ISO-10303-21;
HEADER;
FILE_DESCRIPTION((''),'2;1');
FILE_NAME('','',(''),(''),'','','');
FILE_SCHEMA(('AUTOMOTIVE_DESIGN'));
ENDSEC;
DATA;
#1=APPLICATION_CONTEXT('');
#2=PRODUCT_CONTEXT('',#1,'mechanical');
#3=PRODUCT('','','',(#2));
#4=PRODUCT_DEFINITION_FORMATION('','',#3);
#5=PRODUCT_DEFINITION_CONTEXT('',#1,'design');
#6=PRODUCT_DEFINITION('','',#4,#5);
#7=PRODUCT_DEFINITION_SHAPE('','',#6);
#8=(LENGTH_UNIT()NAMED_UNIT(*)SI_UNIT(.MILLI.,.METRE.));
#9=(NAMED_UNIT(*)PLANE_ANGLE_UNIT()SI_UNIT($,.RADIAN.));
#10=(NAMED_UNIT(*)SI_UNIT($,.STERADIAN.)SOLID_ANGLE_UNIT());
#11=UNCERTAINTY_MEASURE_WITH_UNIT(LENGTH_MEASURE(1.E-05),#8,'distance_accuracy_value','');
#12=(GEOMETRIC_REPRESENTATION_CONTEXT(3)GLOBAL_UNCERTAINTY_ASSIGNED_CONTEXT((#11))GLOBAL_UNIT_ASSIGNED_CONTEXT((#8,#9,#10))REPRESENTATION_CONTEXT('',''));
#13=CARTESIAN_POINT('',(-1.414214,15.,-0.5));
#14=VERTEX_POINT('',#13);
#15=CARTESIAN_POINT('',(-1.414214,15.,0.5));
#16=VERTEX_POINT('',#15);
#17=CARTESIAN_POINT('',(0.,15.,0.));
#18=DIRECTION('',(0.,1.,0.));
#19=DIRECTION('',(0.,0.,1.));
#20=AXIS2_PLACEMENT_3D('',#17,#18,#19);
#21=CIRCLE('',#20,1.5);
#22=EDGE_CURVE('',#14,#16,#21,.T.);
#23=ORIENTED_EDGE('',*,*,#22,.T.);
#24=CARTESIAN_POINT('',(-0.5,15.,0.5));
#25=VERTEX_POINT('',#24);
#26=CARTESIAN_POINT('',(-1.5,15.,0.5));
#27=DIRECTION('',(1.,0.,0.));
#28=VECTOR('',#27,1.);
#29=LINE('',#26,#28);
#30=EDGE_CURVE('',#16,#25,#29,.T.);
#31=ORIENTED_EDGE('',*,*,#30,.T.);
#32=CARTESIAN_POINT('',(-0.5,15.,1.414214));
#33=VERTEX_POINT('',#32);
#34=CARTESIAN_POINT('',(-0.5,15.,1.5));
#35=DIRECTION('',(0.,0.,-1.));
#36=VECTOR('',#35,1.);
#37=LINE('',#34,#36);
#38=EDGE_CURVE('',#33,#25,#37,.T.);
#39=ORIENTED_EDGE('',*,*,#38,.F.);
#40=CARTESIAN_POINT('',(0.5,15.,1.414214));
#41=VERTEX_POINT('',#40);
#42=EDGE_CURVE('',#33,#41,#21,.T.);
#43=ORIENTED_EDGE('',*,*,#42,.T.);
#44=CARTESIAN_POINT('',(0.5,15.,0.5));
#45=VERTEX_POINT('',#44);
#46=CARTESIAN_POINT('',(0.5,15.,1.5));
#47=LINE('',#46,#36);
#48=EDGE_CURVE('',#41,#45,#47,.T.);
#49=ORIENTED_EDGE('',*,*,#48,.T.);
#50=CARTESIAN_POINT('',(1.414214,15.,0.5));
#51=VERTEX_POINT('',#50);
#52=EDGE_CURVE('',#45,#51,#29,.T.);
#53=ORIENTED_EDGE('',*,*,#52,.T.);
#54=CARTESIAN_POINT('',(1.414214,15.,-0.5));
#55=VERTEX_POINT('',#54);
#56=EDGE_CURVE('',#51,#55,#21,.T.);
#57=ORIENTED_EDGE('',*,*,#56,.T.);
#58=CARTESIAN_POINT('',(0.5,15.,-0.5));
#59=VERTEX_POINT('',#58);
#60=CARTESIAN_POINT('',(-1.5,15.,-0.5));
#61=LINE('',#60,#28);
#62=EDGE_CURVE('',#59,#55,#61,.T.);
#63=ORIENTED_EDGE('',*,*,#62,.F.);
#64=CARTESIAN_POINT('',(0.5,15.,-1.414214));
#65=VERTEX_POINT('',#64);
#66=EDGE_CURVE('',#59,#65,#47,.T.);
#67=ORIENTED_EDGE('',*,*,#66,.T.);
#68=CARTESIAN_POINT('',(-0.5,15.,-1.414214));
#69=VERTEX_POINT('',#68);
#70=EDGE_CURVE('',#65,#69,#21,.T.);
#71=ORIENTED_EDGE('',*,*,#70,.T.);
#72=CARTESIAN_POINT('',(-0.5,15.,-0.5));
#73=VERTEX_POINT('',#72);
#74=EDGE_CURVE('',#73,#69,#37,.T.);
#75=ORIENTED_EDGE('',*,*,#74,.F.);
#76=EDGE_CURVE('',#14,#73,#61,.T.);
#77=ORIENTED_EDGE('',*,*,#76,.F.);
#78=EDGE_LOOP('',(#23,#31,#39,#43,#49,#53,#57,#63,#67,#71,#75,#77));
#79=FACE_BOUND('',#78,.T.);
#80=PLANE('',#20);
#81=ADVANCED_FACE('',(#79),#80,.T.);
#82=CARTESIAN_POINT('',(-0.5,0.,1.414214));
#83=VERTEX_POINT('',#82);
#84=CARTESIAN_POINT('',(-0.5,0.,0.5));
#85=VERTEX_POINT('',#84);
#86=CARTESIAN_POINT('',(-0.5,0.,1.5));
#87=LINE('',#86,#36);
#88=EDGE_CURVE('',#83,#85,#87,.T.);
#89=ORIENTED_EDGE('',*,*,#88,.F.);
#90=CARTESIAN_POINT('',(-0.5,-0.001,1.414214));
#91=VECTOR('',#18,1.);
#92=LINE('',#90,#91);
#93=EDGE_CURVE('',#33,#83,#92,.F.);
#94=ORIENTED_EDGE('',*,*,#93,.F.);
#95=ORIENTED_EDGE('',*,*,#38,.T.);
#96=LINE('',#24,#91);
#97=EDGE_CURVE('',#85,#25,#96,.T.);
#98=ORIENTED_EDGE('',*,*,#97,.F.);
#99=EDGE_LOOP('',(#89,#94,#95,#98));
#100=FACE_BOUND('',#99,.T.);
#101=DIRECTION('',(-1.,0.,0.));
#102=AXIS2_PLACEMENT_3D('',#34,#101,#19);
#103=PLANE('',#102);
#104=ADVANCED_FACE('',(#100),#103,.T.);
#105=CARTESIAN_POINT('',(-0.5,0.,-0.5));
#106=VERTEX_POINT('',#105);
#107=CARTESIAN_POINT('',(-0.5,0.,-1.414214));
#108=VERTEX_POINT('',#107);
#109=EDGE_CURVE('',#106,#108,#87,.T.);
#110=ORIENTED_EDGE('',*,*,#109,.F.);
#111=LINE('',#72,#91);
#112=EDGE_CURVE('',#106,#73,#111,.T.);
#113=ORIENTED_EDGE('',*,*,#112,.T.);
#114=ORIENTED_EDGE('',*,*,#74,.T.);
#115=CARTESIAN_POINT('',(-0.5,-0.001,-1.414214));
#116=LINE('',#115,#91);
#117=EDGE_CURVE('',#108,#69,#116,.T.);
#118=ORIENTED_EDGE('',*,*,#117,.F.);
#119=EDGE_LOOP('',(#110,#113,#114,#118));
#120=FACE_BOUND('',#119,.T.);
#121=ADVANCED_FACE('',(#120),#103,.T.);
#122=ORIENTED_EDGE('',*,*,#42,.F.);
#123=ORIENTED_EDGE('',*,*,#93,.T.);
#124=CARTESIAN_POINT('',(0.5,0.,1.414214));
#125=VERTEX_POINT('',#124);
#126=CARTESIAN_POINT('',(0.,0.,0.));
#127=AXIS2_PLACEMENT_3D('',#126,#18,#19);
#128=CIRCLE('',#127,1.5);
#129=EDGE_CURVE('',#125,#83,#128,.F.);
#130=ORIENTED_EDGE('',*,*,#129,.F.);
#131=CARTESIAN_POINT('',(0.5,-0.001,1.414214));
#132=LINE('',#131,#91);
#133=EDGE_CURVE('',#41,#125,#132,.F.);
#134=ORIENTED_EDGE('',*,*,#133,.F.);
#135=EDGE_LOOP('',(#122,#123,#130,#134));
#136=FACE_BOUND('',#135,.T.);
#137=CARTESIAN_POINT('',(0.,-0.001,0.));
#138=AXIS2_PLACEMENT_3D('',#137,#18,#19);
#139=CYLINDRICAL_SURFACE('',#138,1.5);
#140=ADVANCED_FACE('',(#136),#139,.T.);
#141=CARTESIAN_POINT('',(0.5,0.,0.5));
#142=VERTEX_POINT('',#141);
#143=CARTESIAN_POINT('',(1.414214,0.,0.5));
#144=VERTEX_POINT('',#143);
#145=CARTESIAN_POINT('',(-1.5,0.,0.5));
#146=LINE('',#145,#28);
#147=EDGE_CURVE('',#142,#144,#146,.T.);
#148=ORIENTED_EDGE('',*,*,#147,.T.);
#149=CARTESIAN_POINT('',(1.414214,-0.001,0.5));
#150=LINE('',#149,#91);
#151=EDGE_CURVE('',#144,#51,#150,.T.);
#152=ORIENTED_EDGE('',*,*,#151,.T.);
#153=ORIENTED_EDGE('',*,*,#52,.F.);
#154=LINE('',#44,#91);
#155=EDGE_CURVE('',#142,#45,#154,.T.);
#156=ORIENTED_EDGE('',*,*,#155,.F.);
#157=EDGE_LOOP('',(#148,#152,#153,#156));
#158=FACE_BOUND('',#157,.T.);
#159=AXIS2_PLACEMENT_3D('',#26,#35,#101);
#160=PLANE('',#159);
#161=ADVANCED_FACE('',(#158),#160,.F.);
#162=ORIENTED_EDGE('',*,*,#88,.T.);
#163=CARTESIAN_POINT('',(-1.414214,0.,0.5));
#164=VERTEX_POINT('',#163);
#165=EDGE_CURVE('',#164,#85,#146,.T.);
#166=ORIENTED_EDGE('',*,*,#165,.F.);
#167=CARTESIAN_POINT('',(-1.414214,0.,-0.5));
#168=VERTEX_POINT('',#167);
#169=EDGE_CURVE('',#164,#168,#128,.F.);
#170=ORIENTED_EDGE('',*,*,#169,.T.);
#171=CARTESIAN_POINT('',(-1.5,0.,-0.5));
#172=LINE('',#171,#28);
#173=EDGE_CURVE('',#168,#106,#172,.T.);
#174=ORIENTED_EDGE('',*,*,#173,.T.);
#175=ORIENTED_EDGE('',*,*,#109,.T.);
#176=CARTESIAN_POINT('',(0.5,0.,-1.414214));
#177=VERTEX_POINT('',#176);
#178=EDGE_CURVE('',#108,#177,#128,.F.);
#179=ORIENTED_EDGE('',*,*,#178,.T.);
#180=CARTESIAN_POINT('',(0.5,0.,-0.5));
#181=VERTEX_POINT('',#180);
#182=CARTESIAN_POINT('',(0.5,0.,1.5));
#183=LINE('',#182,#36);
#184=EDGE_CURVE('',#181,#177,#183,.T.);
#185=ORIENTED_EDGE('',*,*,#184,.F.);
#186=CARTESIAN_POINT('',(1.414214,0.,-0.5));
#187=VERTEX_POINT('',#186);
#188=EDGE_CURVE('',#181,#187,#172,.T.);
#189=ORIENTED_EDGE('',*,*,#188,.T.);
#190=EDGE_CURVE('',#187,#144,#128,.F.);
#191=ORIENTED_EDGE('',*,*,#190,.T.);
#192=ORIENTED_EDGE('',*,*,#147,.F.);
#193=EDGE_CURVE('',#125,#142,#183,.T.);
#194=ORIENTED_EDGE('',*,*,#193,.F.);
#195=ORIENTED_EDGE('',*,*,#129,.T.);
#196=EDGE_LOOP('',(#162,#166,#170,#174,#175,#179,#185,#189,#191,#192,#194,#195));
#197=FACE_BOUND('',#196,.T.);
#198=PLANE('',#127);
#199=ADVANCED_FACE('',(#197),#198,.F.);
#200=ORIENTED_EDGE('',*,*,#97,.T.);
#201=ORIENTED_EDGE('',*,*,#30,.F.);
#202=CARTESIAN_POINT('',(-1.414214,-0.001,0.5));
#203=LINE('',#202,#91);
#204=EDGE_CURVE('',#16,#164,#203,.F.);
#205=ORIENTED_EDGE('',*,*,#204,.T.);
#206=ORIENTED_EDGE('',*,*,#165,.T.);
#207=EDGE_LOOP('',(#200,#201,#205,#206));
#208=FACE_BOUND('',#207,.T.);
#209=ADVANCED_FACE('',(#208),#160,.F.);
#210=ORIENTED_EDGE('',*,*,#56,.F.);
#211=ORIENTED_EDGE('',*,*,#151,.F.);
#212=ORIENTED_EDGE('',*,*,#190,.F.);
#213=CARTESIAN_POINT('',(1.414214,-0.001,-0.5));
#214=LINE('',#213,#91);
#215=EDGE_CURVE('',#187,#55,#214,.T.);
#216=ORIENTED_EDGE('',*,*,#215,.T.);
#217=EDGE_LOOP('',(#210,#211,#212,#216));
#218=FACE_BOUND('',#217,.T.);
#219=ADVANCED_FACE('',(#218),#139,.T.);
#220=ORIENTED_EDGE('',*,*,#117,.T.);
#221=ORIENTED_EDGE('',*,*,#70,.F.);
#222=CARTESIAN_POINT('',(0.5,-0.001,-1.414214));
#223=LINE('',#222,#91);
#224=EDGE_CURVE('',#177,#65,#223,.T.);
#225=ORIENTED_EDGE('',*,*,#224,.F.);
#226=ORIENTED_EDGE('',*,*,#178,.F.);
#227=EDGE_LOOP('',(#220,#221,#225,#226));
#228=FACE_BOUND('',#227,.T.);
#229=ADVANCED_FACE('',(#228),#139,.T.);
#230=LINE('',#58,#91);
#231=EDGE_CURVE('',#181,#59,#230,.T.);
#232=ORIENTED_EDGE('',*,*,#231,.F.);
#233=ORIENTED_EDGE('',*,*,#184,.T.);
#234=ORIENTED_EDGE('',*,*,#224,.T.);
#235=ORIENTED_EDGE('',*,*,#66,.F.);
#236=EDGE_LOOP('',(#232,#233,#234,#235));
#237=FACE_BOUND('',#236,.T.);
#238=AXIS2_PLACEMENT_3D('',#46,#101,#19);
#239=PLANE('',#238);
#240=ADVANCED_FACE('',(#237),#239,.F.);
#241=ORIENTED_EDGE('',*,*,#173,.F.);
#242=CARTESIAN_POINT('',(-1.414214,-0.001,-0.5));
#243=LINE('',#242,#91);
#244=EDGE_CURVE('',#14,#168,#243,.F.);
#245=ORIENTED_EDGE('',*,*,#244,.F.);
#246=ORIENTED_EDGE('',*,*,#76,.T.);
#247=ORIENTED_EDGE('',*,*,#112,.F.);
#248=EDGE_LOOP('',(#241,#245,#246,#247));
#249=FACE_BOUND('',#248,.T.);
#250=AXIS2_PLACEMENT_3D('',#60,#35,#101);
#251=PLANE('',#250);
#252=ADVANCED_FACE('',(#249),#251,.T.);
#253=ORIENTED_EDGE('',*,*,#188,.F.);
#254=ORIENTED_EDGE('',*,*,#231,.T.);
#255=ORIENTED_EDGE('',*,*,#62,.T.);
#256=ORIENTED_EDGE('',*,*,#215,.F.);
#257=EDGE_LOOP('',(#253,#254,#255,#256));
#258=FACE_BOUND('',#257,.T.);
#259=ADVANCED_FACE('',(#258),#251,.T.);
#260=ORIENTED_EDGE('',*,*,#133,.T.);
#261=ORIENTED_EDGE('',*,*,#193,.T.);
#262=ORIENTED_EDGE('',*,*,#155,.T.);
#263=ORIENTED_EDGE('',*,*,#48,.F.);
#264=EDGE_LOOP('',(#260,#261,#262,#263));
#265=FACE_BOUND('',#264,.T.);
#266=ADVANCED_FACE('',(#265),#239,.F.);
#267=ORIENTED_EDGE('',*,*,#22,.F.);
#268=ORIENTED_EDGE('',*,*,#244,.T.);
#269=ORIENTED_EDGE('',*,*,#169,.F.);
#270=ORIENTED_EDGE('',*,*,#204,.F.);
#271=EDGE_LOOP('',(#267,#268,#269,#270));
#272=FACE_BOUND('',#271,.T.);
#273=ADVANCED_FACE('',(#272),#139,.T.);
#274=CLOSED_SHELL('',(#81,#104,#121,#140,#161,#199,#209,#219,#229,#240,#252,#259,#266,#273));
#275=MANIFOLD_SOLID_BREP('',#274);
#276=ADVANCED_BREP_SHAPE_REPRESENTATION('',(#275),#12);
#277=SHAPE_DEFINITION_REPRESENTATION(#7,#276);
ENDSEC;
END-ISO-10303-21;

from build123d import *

# Parameters (mm, degrees)
SKETCH1_W           = 3
SKETCH1_H           = 1
SKETCH1_W_2         = 1
SKETCH1_H_2         = 3
BOSS_EXTRUDE1_DEPTH = 15
SKETCH2_OUTSIDE_W   = 8.118
SKETCH2_OUTSIDE_H   = 8.118
SKETCH2_OUTSIDE_R   = 1.5
CUT_EXTRUDE1_DEPTH  = 15


with BuildPart() as part:
    # Sketch1 → Boss-Extrude1 (new body)
    with BuildSketch(Plane(origin=(0, 0, 0), x_dir=(1, 0, 0), z_dir=(0, 1, 0))):
        Rectangle(SKETCH1_W, SKETCH1_H)
        Rectangle(SKETCH1_W_2, SKETCH1_H_2)
    extrude(amount=BOSS_EXTRUDE1_DEPTH)

    # Sketch2 outside → Cut-Extrude1 (cut)
    with BuildSketch(Plane(origin=(0, 15, 0), x_dir=(1, 0, 0), z_dir=(0, 1, 0))):
        Rectangle(SKETCH2_OUTSIDE_W, SKETCH2_OUTSIDE_H)
        Circle(SKETCH2_OUTSIDE_R, mode=Mode.SUBTRACT)
    extrude(amount=-CUT_EXTRUDE1_DEPTH, mode=Mode.SUBTRACT)


solid = part.part
